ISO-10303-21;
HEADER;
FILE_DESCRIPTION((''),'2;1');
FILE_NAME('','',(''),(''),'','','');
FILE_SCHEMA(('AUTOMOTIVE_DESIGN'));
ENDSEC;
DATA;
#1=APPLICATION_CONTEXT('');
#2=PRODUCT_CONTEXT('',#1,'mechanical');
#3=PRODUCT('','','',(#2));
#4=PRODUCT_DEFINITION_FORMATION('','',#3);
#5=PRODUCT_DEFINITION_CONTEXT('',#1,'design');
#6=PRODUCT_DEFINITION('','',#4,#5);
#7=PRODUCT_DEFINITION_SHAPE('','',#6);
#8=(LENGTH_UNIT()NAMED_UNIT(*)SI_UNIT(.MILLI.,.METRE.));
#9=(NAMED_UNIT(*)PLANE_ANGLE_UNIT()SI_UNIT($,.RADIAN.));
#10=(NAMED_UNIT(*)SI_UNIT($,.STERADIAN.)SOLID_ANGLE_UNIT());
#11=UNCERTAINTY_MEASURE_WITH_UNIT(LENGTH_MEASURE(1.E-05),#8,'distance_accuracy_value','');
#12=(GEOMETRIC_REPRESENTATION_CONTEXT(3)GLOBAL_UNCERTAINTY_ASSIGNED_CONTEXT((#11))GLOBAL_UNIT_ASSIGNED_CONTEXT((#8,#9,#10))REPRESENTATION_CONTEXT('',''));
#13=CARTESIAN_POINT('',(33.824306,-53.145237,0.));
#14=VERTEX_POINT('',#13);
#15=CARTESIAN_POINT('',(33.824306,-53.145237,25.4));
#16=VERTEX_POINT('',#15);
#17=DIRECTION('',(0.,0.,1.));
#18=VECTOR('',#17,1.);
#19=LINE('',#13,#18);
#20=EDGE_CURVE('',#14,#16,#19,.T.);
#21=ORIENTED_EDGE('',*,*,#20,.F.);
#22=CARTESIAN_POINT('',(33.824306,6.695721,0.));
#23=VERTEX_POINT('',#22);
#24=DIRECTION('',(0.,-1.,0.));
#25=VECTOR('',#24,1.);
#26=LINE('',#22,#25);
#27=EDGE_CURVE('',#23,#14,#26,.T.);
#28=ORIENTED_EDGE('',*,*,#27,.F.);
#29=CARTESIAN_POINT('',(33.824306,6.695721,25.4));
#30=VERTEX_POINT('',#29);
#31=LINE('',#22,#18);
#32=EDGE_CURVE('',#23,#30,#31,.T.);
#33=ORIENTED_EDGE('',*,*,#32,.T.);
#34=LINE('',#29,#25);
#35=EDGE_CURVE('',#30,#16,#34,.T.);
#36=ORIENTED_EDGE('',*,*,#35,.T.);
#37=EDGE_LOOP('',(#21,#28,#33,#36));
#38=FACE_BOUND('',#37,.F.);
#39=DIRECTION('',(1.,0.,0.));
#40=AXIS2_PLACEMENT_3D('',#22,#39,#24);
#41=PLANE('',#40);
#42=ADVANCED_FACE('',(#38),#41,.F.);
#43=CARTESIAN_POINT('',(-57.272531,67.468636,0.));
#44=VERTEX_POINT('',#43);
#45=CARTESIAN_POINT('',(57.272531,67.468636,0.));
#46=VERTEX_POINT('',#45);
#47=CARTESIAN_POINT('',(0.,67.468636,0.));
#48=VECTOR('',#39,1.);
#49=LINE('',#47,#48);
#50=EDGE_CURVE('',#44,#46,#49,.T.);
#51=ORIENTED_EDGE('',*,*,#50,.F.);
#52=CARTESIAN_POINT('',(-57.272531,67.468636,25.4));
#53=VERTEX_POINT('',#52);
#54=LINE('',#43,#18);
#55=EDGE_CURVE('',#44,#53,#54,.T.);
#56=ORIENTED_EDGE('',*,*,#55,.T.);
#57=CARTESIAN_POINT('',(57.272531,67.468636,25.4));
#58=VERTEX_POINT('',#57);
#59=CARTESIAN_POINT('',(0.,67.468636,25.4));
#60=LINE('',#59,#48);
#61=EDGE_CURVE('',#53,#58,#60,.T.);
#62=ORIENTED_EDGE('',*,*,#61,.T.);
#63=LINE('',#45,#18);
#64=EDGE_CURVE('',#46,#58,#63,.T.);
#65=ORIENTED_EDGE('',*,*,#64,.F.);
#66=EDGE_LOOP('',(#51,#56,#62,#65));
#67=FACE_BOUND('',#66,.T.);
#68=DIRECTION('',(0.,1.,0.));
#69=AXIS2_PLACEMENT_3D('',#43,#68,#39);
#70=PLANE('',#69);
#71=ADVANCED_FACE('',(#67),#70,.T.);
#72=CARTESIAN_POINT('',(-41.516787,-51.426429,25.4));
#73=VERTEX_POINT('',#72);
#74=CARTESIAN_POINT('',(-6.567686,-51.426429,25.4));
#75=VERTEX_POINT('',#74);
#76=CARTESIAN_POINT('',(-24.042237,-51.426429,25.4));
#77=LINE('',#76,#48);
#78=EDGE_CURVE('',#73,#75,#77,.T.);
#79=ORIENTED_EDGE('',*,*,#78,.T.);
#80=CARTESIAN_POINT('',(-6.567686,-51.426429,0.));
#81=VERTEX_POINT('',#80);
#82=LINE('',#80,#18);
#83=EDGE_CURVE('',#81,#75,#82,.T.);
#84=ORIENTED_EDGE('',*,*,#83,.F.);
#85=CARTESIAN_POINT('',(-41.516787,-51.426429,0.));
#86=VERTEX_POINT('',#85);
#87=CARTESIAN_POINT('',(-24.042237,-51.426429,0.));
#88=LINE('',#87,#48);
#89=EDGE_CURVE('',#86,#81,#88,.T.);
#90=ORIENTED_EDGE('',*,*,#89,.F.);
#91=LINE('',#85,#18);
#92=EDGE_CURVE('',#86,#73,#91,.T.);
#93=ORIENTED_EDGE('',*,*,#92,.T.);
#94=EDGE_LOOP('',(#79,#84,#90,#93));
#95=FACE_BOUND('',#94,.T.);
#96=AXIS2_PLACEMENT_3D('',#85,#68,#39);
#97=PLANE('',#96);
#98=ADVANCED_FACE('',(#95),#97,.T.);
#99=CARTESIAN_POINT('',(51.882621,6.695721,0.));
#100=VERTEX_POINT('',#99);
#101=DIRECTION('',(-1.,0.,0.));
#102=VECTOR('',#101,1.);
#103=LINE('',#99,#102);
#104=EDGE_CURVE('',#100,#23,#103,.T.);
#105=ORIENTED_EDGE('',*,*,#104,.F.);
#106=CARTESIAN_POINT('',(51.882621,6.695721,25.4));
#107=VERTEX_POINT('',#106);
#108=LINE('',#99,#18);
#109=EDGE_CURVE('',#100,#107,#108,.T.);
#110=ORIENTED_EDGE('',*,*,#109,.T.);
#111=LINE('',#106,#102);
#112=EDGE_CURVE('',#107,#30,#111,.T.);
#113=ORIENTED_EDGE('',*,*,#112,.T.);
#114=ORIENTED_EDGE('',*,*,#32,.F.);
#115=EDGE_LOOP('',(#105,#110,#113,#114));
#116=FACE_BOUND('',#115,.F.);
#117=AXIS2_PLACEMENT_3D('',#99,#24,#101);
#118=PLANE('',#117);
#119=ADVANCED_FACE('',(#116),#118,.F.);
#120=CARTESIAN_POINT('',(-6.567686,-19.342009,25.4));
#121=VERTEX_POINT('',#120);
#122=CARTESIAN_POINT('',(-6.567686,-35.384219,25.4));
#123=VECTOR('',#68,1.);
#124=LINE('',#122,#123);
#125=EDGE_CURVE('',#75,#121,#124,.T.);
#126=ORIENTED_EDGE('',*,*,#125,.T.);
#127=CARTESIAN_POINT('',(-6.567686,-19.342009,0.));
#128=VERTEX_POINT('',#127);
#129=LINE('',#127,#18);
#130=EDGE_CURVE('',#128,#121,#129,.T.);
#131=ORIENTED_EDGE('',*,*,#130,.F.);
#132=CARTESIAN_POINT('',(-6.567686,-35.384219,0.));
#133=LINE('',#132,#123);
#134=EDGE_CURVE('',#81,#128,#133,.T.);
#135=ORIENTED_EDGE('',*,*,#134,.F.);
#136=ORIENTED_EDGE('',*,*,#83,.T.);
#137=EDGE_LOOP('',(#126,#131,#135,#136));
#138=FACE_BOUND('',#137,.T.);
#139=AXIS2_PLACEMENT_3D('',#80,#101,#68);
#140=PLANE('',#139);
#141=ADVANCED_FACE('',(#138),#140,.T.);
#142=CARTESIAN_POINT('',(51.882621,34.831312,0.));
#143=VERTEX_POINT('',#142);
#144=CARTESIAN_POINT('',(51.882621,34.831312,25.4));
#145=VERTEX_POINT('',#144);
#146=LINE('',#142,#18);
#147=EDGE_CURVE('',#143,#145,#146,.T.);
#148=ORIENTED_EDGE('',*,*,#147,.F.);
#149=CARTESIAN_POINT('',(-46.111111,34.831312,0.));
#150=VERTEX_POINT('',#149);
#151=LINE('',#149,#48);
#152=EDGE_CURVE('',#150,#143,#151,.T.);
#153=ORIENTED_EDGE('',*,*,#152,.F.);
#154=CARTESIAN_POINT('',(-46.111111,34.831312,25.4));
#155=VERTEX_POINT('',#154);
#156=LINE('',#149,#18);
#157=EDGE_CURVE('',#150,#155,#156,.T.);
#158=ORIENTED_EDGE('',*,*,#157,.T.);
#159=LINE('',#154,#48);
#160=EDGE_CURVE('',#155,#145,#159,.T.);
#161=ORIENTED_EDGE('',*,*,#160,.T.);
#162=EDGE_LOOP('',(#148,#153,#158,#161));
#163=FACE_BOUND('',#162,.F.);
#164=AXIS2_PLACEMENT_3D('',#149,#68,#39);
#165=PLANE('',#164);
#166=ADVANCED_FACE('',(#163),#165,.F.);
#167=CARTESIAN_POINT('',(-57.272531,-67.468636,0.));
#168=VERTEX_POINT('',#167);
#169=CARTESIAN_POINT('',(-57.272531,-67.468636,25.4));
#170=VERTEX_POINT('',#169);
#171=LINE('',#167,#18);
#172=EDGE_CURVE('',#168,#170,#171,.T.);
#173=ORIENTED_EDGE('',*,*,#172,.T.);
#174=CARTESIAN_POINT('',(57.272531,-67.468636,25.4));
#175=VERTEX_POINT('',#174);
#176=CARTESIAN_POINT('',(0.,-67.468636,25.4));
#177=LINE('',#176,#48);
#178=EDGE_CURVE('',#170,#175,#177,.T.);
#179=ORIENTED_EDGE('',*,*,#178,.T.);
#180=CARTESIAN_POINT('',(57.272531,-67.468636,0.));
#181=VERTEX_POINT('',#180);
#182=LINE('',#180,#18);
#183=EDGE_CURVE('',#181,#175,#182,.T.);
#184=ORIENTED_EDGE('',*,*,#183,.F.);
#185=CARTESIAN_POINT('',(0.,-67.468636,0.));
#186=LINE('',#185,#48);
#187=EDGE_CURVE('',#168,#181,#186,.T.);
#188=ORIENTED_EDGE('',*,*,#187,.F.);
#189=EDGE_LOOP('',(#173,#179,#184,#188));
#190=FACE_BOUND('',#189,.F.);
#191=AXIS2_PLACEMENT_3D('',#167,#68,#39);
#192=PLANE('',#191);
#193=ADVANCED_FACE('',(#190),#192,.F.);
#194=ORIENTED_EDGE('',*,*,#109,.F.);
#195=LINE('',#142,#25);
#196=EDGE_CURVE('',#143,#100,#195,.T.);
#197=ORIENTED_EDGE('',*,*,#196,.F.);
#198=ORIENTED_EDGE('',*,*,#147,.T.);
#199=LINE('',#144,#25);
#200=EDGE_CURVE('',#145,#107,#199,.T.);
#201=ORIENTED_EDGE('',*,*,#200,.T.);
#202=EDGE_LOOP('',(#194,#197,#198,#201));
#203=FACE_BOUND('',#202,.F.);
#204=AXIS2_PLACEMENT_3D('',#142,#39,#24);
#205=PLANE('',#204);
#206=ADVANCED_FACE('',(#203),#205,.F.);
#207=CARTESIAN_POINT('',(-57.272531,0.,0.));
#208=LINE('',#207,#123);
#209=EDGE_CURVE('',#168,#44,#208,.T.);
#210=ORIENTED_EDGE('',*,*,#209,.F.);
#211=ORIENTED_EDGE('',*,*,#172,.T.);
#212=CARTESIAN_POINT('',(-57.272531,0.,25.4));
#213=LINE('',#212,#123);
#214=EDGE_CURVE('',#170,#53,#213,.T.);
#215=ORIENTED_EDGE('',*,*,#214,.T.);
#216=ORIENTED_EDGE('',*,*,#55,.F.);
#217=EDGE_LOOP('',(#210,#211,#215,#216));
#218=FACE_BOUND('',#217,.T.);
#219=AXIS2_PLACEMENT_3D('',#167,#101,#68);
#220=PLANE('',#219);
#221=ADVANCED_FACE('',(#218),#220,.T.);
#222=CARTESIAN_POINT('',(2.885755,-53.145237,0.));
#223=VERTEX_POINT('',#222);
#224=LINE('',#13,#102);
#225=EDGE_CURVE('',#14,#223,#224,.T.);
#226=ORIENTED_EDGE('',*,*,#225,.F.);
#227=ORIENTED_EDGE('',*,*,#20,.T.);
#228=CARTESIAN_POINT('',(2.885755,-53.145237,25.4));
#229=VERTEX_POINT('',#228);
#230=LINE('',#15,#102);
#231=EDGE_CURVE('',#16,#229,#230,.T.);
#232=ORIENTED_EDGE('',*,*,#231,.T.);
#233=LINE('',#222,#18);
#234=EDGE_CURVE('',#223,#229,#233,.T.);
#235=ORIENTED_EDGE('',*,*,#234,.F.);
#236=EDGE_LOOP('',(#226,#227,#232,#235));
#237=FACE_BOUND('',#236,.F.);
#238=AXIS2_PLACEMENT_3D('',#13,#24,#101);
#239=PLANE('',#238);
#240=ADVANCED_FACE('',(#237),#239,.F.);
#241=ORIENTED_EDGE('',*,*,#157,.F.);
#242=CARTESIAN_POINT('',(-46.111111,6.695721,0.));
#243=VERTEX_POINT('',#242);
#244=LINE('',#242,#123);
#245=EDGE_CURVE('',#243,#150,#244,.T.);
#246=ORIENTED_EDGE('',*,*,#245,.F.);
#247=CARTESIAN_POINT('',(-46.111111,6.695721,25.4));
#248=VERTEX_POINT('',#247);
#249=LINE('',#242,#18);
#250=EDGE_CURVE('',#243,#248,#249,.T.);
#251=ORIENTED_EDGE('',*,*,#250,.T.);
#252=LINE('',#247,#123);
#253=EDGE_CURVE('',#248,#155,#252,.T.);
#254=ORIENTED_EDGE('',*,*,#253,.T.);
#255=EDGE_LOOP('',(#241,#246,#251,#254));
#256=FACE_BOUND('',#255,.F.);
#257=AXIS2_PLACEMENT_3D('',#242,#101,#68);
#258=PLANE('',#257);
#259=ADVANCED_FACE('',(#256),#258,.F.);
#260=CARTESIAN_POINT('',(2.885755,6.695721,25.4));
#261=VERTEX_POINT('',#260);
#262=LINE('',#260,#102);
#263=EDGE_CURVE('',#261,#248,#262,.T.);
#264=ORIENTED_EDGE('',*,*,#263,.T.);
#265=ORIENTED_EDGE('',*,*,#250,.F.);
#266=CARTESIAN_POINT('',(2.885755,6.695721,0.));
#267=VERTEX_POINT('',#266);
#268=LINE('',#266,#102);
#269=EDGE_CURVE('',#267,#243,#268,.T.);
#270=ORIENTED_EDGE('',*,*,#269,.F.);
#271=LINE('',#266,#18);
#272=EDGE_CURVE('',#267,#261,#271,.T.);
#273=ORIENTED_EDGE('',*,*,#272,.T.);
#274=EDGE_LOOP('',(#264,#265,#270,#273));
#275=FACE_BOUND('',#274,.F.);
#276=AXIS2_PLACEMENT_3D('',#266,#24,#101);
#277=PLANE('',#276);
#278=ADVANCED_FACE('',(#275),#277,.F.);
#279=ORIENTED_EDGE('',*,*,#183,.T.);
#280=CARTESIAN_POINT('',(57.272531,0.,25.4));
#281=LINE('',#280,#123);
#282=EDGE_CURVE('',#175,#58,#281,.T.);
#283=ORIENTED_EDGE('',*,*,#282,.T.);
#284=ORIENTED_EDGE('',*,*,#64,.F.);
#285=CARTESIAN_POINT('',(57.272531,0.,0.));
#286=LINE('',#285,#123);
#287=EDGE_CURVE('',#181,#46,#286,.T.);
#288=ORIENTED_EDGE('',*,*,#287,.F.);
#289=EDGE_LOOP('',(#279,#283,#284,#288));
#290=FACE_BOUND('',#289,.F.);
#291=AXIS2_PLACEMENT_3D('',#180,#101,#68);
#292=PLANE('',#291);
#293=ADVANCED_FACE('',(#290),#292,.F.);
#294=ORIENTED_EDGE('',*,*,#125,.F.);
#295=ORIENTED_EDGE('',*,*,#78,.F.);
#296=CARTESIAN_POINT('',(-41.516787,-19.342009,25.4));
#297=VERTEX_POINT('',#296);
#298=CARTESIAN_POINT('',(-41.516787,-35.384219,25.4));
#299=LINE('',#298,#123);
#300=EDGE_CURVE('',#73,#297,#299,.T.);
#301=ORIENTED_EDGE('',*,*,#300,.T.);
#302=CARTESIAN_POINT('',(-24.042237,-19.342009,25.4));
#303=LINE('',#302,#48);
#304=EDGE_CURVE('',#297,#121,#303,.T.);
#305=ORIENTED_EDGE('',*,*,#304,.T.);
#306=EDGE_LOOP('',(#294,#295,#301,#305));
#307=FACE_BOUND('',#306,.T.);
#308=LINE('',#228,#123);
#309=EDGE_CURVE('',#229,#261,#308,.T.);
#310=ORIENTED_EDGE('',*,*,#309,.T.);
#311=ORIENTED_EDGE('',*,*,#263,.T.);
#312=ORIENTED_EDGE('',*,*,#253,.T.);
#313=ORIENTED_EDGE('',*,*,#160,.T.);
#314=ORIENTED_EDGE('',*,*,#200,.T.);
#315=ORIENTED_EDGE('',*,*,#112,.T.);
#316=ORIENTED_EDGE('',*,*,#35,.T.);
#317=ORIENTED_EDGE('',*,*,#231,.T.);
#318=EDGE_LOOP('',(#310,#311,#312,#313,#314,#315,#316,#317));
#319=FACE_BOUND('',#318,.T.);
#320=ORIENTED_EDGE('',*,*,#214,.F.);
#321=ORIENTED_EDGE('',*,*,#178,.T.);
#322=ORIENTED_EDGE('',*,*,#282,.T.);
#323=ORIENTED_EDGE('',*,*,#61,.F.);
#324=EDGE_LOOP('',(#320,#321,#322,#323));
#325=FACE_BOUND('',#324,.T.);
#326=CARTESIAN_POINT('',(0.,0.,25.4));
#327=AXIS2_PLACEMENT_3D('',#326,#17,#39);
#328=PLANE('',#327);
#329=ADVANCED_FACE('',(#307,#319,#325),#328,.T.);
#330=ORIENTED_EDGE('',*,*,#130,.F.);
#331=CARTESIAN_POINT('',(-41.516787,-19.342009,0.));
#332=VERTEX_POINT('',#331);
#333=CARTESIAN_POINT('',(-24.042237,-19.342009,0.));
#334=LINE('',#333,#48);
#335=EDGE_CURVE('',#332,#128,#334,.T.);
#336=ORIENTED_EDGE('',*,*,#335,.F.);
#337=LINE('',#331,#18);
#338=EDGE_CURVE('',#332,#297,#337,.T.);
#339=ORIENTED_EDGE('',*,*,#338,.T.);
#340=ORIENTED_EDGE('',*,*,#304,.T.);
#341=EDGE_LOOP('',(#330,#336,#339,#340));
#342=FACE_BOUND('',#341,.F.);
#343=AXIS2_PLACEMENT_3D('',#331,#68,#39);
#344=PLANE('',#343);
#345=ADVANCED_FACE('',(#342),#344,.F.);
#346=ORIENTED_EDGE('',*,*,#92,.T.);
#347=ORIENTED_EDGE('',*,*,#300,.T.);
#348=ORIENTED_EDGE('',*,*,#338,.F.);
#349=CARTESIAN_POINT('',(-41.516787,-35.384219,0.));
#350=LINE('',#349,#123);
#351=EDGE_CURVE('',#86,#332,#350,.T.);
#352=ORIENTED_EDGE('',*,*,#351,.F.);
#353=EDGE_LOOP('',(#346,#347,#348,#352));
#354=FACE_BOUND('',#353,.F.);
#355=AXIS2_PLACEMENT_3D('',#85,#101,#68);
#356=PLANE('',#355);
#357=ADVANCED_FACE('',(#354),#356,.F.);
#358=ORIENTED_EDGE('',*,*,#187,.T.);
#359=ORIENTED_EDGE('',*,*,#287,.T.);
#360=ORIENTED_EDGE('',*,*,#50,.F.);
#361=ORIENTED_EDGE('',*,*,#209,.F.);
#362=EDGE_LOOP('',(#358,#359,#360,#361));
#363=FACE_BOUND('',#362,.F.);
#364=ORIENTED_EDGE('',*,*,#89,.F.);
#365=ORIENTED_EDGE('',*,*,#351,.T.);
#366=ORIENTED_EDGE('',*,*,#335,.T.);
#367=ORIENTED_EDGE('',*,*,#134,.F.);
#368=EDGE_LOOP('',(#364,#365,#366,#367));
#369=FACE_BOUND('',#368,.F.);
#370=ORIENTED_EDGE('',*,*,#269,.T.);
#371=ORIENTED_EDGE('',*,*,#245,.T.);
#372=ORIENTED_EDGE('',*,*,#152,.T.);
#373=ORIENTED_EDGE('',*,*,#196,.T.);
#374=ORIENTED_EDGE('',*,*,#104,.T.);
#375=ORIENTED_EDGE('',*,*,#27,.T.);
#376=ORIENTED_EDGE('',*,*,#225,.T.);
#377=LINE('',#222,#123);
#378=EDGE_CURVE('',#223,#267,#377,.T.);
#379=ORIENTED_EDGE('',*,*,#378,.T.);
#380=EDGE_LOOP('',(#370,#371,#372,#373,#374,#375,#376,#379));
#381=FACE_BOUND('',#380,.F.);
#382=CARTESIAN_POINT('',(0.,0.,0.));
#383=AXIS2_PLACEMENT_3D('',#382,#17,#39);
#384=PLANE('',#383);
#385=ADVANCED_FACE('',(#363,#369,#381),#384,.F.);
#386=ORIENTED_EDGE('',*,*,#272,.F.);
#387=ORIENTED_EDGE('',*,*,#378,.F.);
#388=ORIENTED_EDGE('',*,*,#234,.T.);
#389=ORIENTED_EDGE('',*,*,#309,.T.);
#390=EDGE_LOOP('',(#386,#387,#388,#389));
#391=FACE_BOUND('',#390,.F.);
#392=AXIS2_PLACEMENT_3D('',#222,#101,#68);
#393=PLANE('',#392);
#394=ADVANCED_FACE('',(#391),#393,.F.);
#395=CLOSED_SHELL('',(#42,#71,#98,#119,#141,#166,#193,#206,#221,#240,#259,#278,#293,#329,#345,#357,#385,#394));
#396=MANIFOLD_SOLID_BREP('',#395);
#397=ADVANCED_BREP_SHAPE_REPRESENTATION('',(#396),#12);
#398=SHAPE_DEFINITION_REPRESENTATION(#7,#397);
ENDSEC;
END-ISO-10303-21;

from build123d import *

# Parameters (mm, degrees)
F0_W     = 114.545062
F0_H     = 134.937272
F0_W_2   = 34.949101
F0_H_2   = 32.08442
F1_DEPTH = 25.4


with BuildPart() as f1:
    # F0 (on Top) → F1 (new body)
    with BuildSketch(Plane.XY):
        Rectangle(F0_W, F0_H)
        with Locations((-24.042237, -35.384219)):
            Rectangle(F0_W_2, F0_H_2, mode=Mode.SUBTRACT)
        Polygon((33.824306, -53.145237), (2.885755, -53.145237), (2.885755, 6.695721), (-46.111111, 6.695721), (-46.111111, 34.831312), (51.882621, 34.831312), (51.882621, 6.695721), (33.824306, 6.695721), align=None, mode=Mode.SUBTRACT)
    extrude(amount=F1_DEPTH)


solid = f1.part
